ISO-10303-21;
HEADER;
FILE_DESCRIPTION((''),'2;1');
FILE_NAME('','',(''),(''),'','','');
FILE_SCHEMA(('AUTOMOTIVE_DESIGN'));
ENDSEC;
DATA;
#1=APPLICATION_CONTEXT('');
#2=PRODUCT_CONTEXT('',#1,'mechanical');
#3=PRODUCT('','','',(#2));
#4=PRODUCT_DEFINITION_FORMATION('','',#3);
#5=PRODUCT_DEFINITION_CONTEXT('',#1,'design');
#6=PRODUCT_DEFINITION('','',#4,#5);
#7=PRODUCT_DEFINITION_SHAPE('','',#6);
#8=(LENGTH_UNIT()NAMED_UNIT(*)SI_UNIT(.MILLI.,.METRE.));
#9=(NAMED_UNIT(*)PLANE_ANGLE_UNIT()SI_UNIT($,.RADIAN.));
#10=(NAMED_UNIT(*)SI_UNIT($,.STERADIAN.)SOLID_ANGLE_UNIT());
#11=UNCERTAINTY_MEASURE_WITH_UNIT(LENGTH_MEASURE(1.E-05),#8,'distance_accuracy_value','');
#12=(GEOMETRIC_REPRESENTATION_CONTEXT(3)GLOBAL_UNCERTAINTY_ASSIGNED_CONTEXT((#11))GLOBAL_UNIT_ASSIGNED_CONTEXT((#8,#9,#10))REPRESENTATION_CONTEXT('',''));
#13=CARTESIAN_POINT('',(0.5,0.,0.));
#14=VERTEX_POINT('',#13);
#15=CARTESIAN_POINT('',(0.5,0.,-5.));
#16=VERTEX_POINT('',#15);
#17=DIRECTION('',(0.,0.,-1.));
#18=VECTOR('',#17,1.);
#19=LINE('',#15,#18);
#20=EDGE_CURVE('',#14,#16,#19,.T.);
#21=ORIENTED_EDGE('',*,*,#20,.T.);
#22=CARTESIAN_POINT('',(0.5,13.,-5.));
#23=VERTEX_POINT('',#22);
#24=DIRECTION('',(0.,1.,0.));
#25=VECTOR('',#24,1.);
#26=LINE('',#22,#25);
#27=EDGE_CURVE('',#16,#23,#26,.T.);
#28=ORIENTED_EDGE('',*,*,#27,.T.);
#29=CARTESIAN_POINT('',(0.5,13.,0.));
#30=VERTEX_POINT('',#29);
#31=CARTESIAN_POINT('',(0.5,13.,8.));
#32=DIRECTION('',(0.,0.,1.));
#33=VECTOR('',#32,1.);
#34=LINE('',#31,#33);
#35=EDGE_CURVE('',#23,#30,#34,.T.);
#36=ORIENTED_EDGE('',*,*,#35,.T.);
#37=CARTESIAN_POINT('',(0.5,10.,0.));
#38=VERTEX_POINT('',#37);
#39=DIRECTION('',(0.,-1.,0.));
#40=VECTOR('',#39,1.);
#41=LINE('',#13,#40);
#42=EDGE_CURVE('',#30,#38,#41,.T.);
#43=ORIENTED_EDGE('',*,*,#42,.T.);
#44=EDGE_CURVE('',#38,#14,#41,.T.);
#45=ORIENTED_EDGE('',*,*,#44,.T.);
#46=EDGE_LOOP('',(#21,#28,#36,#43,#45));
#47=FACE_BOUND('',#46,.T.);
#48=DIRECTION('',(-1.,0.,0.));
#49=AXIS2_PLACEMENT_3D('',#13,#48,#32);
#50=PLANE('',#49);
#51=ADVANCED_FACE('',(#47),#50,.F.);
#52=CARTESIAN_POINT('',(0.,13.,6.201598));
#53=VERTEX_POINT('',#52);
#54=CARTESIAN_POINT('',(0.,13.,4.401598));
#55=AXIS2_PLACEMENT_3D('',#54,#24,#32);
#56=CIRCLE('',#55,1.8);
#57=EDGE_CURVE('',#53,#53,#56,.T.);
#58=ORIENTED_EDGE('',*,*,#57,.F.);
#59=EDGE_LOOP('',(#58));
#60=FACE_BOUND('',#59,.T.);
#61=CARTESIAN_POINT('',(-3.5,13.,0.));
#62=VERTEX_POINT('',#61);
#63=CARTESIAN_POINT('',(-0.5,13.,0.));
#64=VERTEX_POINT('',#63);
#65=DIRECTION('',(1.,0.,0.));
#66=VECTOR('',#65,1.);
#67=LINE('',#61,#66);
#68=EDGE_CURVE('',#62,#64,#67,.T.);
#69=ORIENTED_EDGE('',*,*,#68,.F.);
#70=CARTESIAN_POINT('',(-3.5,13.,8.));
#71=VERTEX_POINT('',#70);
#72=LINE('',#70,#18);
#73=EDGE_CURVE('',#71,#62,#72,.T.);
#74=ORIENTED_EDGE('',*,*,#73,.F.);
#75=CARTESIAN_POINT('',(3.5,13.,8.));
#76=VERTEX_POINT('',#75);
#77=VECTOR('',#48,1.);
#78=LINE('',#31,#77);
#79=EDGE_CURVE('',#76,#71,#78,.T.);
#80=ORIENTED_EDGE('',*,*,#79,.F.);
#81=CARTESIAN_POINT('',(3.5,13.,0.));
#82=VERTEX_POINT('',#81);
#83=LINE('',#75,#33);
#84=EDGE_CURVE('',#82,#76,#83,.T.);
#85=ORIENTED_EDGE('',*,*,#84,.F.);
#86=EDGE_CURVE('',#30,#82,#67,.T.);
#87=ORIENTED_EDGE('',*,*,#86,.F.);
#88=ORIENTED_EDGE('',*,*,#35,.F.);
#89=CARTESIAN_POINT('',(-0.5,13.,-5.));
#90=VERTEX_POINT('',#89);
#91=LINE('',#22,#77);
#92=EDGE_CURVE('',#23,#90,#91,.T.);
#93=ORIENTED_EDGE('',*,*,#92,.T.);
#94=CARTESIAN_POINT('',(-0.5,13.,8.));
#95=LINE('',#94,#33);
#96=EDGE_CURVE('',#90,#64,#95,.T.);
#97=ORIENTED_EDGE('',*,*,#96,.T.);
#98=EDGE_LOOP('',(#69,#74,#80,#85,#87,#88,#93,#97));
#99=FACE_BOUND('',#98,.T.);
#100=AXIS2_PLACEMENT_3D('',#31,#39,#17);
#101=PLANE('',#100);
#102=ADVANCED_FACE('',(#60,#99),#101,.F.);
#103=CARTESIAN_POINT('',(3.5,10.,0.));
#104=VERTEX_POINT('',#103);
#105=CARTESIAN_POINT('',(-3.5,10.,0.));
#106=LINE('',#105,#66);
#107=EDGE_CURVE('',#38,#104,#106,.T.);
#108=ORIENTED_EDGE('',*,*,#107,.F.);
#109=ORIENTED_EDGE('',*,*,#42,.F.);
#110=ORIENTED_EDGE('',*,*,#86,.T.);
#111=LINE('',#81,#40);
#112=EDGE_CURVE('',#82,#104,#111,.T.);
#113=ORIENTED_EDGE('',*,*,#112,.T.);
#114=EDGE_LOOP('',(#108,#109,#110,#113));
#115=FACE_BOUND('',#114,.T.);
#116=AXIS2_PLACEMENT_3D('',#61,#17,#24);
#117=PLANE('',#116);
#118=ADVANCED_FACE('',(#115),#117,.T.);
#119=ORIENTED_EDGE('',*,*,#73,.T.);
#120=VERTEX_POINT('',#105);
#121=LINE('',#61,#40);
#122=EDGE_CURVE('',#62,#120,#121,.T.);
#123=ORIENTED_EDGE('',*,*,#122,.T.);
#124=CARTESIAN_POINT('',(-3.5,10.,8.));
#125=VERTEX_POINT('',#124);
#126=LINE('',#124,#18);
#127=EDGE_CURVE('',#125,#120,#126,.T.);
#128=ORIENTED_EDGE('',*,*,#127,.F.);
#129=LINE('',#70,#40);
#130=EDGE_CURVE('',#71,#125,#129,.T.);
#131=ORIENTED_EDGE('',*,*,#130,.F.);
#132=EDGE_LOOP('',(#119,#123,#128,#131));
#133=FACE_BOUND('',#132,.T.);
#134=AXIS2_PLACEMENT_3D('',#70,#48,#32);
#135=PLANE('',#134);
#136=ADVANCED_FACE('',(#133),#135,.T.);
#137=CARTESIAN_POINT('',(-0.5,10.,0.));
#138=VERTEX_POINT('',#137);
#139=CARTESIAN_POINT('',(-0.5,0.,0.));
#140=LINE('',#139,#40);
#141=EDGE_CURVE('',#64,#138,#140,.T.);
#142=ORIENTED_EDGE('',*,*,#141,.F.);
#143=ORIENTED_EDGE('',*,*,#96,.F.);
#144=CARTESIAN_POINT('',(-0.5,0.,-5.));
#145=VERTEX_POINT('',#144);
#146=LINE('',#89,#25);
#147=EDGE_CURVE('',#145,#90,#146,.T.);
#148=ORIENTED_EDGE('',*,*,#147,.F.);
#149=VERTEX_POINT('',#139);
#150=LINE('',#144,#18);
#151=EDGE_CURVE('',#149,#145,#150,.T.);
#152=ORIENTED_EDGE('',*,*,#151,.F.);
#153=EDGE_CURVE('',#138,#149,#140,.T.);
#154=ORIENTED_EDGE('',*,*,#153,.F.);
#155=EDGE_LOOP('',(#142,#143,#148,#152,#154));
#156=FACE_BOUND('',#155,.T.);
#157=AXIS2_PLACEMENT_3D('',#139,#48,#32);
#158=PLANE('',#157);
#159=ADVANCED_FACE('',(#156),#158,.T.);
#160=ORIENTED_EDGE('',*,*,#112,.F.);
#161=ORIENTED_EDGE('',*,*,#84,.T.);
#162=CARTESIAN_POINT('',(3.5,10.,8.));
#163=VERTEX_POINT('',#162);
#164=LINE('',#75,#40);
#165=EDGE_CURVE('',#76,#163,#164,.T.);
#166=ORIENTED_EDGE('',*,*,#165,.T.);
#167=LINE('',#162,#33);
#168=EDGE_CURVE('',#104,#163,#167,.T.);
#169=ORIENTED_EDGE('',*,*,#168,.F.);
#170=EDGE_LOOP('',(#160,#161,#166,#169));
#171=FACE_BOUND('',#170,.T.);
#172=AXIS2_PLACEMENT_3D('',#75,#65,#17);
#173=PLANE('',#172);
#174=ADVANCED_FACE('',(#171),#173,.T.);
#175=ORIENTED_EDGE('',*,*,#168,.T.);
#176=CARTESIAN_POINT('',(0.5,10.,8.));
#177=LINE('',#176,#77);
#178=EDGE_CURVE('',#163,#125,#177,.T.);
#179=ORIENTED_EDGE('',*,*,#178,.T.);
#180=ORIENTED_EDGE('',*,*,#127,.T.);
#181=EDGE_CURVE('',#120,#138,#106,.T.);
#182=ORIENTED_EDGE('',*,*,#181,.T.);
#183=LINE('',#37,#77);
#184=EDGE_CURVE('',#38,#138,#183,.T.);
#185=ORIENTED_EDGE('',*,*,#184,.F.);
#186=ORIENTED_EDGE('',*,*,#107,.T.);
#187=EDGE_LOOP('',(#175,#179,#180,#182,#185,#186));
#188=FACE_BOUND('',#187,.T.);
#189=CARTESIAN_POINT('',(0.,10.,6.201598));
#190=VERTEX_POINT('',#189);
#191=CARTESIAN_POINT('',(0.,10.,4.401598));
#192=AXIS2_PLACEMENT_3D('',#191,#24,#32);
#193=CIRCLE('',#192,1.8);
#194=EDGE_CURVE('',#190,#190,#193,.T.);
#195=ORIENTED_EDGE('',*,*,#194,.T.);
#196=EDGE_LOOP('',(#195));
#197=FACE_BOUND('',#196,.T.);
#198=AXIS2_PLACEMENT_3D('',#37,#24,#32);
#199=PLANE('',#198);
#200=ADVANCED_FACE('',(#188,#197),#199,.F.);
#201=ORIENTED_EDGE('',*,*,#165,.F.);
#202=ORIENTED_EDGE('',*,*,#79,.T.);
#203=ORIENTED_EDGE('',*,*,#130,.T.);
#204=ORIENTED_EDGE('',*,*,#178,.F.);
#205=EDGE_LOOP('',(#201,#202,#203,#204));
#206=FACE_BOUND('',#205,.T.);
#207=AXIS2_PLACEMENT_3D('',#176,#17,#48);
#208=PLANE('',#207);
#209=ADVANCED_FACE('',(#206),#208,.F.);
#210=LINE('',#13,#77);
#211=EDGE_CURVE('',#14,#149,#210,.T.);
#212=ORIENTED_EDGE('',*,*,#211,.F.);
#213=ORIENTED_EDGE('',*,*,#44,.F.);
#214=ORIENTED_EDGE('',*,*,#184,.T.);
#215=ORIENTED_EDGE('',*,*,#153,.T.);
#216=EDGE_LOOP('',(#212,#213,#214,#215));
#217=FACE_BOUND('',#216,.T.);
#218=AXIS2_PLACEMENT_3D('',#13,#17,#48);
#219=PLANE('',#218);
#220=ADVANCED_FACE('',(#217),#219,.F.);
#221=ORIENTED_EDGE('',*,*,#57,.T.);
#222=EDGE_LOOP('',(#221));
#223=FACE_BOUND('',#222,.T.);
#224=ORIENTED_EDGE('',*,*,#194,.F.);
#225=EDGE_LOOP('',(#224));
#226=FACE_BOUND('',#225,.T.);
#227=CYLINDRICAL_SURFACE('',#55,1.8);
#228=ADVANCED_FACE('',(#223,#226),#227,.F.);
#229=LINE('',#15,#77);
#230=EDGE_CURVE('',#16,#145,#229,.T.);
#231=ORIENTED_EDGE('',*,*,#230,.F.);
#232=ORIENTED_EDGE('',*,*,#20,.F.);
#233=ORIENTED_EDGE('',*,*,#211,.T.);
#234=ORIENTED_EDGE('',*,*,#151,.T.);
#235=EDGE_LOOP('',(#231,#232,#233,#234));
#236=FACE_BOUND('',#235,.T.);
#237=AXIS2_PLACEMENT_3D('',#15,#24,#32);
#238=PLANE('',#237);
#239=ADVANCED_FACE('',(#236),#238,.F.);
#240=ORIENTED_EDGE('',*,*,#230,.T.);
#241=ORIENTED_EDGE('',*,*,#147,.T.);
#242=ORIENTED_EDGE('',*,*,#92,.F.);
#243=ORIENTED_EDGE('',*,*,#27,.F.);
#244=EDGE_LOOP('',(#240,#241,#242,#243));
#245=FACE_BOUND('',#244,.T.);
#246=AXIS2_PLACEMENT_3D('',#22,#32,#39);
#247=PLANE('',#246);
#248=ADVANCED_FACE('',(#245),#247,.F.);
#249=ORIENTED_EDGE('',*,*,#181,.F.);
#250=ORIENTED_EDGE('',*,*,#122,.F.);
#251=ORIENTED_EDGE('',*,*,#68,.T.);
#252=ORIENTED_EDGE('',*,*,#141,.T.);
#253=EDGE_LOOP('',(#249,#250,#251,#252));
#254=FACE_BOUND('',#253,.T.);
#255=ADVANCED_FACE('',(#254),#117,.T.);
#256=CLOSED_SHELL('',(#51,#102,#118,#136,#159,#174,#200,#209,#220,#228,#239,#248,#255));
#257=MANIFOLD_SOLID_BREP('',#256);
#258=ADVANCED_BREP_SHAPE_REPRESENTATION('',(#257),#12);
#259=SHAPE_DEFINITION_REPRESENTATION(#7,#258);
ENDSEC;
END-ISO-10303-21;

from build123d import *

# Parameters (mm, degrees)
BOSS_EXTRUDE1_DEPTH  = 0.5
SKETCH2_W            = 7
SKETCH2_H            = 8
BOSS_EXTRUDE2_DEPTH  = 3
M3_CLEARANCE_HOLE1_D = 3.6


with BuildPart() as part:
    # Sketch1 → Boss-Extrude1 (new body, symmetric)
    with BuildSketch(Plane(origin=(0, 0, 0), x_dir=(0, 0, -1), z_dir=(1, 0, 0))):
        Polygon((0, 0), (0, 10), (-8, 10), (-8, 13), (5, 13), (5, 0), align=None)
    extrude(amount=BOSS_EXTRUDE1_DEPTH, both=True)

    # Sketch2 → Boss-Extrude2 (add, through all)
    with BuildSketch(Plane.XZ.offset(-10)):
        with Locations((0, 4)):
            Rectangle(SKETCH2_W, SKETCH2_H)
    extrude(amount=-BOSS_EXTRUDE2_DEPTH)

    # M3 Clearance Hole1 (through all)
    with Locations(Plane(origin=(0, 13, 0), x_dir=(1, 0, 0), z_dir=(0, 1, 0))):
        with Locations((0, -4.401597527)):
            Hole(M3_CLEARANCE_HOLE1_D / 2)


solid = part.part
